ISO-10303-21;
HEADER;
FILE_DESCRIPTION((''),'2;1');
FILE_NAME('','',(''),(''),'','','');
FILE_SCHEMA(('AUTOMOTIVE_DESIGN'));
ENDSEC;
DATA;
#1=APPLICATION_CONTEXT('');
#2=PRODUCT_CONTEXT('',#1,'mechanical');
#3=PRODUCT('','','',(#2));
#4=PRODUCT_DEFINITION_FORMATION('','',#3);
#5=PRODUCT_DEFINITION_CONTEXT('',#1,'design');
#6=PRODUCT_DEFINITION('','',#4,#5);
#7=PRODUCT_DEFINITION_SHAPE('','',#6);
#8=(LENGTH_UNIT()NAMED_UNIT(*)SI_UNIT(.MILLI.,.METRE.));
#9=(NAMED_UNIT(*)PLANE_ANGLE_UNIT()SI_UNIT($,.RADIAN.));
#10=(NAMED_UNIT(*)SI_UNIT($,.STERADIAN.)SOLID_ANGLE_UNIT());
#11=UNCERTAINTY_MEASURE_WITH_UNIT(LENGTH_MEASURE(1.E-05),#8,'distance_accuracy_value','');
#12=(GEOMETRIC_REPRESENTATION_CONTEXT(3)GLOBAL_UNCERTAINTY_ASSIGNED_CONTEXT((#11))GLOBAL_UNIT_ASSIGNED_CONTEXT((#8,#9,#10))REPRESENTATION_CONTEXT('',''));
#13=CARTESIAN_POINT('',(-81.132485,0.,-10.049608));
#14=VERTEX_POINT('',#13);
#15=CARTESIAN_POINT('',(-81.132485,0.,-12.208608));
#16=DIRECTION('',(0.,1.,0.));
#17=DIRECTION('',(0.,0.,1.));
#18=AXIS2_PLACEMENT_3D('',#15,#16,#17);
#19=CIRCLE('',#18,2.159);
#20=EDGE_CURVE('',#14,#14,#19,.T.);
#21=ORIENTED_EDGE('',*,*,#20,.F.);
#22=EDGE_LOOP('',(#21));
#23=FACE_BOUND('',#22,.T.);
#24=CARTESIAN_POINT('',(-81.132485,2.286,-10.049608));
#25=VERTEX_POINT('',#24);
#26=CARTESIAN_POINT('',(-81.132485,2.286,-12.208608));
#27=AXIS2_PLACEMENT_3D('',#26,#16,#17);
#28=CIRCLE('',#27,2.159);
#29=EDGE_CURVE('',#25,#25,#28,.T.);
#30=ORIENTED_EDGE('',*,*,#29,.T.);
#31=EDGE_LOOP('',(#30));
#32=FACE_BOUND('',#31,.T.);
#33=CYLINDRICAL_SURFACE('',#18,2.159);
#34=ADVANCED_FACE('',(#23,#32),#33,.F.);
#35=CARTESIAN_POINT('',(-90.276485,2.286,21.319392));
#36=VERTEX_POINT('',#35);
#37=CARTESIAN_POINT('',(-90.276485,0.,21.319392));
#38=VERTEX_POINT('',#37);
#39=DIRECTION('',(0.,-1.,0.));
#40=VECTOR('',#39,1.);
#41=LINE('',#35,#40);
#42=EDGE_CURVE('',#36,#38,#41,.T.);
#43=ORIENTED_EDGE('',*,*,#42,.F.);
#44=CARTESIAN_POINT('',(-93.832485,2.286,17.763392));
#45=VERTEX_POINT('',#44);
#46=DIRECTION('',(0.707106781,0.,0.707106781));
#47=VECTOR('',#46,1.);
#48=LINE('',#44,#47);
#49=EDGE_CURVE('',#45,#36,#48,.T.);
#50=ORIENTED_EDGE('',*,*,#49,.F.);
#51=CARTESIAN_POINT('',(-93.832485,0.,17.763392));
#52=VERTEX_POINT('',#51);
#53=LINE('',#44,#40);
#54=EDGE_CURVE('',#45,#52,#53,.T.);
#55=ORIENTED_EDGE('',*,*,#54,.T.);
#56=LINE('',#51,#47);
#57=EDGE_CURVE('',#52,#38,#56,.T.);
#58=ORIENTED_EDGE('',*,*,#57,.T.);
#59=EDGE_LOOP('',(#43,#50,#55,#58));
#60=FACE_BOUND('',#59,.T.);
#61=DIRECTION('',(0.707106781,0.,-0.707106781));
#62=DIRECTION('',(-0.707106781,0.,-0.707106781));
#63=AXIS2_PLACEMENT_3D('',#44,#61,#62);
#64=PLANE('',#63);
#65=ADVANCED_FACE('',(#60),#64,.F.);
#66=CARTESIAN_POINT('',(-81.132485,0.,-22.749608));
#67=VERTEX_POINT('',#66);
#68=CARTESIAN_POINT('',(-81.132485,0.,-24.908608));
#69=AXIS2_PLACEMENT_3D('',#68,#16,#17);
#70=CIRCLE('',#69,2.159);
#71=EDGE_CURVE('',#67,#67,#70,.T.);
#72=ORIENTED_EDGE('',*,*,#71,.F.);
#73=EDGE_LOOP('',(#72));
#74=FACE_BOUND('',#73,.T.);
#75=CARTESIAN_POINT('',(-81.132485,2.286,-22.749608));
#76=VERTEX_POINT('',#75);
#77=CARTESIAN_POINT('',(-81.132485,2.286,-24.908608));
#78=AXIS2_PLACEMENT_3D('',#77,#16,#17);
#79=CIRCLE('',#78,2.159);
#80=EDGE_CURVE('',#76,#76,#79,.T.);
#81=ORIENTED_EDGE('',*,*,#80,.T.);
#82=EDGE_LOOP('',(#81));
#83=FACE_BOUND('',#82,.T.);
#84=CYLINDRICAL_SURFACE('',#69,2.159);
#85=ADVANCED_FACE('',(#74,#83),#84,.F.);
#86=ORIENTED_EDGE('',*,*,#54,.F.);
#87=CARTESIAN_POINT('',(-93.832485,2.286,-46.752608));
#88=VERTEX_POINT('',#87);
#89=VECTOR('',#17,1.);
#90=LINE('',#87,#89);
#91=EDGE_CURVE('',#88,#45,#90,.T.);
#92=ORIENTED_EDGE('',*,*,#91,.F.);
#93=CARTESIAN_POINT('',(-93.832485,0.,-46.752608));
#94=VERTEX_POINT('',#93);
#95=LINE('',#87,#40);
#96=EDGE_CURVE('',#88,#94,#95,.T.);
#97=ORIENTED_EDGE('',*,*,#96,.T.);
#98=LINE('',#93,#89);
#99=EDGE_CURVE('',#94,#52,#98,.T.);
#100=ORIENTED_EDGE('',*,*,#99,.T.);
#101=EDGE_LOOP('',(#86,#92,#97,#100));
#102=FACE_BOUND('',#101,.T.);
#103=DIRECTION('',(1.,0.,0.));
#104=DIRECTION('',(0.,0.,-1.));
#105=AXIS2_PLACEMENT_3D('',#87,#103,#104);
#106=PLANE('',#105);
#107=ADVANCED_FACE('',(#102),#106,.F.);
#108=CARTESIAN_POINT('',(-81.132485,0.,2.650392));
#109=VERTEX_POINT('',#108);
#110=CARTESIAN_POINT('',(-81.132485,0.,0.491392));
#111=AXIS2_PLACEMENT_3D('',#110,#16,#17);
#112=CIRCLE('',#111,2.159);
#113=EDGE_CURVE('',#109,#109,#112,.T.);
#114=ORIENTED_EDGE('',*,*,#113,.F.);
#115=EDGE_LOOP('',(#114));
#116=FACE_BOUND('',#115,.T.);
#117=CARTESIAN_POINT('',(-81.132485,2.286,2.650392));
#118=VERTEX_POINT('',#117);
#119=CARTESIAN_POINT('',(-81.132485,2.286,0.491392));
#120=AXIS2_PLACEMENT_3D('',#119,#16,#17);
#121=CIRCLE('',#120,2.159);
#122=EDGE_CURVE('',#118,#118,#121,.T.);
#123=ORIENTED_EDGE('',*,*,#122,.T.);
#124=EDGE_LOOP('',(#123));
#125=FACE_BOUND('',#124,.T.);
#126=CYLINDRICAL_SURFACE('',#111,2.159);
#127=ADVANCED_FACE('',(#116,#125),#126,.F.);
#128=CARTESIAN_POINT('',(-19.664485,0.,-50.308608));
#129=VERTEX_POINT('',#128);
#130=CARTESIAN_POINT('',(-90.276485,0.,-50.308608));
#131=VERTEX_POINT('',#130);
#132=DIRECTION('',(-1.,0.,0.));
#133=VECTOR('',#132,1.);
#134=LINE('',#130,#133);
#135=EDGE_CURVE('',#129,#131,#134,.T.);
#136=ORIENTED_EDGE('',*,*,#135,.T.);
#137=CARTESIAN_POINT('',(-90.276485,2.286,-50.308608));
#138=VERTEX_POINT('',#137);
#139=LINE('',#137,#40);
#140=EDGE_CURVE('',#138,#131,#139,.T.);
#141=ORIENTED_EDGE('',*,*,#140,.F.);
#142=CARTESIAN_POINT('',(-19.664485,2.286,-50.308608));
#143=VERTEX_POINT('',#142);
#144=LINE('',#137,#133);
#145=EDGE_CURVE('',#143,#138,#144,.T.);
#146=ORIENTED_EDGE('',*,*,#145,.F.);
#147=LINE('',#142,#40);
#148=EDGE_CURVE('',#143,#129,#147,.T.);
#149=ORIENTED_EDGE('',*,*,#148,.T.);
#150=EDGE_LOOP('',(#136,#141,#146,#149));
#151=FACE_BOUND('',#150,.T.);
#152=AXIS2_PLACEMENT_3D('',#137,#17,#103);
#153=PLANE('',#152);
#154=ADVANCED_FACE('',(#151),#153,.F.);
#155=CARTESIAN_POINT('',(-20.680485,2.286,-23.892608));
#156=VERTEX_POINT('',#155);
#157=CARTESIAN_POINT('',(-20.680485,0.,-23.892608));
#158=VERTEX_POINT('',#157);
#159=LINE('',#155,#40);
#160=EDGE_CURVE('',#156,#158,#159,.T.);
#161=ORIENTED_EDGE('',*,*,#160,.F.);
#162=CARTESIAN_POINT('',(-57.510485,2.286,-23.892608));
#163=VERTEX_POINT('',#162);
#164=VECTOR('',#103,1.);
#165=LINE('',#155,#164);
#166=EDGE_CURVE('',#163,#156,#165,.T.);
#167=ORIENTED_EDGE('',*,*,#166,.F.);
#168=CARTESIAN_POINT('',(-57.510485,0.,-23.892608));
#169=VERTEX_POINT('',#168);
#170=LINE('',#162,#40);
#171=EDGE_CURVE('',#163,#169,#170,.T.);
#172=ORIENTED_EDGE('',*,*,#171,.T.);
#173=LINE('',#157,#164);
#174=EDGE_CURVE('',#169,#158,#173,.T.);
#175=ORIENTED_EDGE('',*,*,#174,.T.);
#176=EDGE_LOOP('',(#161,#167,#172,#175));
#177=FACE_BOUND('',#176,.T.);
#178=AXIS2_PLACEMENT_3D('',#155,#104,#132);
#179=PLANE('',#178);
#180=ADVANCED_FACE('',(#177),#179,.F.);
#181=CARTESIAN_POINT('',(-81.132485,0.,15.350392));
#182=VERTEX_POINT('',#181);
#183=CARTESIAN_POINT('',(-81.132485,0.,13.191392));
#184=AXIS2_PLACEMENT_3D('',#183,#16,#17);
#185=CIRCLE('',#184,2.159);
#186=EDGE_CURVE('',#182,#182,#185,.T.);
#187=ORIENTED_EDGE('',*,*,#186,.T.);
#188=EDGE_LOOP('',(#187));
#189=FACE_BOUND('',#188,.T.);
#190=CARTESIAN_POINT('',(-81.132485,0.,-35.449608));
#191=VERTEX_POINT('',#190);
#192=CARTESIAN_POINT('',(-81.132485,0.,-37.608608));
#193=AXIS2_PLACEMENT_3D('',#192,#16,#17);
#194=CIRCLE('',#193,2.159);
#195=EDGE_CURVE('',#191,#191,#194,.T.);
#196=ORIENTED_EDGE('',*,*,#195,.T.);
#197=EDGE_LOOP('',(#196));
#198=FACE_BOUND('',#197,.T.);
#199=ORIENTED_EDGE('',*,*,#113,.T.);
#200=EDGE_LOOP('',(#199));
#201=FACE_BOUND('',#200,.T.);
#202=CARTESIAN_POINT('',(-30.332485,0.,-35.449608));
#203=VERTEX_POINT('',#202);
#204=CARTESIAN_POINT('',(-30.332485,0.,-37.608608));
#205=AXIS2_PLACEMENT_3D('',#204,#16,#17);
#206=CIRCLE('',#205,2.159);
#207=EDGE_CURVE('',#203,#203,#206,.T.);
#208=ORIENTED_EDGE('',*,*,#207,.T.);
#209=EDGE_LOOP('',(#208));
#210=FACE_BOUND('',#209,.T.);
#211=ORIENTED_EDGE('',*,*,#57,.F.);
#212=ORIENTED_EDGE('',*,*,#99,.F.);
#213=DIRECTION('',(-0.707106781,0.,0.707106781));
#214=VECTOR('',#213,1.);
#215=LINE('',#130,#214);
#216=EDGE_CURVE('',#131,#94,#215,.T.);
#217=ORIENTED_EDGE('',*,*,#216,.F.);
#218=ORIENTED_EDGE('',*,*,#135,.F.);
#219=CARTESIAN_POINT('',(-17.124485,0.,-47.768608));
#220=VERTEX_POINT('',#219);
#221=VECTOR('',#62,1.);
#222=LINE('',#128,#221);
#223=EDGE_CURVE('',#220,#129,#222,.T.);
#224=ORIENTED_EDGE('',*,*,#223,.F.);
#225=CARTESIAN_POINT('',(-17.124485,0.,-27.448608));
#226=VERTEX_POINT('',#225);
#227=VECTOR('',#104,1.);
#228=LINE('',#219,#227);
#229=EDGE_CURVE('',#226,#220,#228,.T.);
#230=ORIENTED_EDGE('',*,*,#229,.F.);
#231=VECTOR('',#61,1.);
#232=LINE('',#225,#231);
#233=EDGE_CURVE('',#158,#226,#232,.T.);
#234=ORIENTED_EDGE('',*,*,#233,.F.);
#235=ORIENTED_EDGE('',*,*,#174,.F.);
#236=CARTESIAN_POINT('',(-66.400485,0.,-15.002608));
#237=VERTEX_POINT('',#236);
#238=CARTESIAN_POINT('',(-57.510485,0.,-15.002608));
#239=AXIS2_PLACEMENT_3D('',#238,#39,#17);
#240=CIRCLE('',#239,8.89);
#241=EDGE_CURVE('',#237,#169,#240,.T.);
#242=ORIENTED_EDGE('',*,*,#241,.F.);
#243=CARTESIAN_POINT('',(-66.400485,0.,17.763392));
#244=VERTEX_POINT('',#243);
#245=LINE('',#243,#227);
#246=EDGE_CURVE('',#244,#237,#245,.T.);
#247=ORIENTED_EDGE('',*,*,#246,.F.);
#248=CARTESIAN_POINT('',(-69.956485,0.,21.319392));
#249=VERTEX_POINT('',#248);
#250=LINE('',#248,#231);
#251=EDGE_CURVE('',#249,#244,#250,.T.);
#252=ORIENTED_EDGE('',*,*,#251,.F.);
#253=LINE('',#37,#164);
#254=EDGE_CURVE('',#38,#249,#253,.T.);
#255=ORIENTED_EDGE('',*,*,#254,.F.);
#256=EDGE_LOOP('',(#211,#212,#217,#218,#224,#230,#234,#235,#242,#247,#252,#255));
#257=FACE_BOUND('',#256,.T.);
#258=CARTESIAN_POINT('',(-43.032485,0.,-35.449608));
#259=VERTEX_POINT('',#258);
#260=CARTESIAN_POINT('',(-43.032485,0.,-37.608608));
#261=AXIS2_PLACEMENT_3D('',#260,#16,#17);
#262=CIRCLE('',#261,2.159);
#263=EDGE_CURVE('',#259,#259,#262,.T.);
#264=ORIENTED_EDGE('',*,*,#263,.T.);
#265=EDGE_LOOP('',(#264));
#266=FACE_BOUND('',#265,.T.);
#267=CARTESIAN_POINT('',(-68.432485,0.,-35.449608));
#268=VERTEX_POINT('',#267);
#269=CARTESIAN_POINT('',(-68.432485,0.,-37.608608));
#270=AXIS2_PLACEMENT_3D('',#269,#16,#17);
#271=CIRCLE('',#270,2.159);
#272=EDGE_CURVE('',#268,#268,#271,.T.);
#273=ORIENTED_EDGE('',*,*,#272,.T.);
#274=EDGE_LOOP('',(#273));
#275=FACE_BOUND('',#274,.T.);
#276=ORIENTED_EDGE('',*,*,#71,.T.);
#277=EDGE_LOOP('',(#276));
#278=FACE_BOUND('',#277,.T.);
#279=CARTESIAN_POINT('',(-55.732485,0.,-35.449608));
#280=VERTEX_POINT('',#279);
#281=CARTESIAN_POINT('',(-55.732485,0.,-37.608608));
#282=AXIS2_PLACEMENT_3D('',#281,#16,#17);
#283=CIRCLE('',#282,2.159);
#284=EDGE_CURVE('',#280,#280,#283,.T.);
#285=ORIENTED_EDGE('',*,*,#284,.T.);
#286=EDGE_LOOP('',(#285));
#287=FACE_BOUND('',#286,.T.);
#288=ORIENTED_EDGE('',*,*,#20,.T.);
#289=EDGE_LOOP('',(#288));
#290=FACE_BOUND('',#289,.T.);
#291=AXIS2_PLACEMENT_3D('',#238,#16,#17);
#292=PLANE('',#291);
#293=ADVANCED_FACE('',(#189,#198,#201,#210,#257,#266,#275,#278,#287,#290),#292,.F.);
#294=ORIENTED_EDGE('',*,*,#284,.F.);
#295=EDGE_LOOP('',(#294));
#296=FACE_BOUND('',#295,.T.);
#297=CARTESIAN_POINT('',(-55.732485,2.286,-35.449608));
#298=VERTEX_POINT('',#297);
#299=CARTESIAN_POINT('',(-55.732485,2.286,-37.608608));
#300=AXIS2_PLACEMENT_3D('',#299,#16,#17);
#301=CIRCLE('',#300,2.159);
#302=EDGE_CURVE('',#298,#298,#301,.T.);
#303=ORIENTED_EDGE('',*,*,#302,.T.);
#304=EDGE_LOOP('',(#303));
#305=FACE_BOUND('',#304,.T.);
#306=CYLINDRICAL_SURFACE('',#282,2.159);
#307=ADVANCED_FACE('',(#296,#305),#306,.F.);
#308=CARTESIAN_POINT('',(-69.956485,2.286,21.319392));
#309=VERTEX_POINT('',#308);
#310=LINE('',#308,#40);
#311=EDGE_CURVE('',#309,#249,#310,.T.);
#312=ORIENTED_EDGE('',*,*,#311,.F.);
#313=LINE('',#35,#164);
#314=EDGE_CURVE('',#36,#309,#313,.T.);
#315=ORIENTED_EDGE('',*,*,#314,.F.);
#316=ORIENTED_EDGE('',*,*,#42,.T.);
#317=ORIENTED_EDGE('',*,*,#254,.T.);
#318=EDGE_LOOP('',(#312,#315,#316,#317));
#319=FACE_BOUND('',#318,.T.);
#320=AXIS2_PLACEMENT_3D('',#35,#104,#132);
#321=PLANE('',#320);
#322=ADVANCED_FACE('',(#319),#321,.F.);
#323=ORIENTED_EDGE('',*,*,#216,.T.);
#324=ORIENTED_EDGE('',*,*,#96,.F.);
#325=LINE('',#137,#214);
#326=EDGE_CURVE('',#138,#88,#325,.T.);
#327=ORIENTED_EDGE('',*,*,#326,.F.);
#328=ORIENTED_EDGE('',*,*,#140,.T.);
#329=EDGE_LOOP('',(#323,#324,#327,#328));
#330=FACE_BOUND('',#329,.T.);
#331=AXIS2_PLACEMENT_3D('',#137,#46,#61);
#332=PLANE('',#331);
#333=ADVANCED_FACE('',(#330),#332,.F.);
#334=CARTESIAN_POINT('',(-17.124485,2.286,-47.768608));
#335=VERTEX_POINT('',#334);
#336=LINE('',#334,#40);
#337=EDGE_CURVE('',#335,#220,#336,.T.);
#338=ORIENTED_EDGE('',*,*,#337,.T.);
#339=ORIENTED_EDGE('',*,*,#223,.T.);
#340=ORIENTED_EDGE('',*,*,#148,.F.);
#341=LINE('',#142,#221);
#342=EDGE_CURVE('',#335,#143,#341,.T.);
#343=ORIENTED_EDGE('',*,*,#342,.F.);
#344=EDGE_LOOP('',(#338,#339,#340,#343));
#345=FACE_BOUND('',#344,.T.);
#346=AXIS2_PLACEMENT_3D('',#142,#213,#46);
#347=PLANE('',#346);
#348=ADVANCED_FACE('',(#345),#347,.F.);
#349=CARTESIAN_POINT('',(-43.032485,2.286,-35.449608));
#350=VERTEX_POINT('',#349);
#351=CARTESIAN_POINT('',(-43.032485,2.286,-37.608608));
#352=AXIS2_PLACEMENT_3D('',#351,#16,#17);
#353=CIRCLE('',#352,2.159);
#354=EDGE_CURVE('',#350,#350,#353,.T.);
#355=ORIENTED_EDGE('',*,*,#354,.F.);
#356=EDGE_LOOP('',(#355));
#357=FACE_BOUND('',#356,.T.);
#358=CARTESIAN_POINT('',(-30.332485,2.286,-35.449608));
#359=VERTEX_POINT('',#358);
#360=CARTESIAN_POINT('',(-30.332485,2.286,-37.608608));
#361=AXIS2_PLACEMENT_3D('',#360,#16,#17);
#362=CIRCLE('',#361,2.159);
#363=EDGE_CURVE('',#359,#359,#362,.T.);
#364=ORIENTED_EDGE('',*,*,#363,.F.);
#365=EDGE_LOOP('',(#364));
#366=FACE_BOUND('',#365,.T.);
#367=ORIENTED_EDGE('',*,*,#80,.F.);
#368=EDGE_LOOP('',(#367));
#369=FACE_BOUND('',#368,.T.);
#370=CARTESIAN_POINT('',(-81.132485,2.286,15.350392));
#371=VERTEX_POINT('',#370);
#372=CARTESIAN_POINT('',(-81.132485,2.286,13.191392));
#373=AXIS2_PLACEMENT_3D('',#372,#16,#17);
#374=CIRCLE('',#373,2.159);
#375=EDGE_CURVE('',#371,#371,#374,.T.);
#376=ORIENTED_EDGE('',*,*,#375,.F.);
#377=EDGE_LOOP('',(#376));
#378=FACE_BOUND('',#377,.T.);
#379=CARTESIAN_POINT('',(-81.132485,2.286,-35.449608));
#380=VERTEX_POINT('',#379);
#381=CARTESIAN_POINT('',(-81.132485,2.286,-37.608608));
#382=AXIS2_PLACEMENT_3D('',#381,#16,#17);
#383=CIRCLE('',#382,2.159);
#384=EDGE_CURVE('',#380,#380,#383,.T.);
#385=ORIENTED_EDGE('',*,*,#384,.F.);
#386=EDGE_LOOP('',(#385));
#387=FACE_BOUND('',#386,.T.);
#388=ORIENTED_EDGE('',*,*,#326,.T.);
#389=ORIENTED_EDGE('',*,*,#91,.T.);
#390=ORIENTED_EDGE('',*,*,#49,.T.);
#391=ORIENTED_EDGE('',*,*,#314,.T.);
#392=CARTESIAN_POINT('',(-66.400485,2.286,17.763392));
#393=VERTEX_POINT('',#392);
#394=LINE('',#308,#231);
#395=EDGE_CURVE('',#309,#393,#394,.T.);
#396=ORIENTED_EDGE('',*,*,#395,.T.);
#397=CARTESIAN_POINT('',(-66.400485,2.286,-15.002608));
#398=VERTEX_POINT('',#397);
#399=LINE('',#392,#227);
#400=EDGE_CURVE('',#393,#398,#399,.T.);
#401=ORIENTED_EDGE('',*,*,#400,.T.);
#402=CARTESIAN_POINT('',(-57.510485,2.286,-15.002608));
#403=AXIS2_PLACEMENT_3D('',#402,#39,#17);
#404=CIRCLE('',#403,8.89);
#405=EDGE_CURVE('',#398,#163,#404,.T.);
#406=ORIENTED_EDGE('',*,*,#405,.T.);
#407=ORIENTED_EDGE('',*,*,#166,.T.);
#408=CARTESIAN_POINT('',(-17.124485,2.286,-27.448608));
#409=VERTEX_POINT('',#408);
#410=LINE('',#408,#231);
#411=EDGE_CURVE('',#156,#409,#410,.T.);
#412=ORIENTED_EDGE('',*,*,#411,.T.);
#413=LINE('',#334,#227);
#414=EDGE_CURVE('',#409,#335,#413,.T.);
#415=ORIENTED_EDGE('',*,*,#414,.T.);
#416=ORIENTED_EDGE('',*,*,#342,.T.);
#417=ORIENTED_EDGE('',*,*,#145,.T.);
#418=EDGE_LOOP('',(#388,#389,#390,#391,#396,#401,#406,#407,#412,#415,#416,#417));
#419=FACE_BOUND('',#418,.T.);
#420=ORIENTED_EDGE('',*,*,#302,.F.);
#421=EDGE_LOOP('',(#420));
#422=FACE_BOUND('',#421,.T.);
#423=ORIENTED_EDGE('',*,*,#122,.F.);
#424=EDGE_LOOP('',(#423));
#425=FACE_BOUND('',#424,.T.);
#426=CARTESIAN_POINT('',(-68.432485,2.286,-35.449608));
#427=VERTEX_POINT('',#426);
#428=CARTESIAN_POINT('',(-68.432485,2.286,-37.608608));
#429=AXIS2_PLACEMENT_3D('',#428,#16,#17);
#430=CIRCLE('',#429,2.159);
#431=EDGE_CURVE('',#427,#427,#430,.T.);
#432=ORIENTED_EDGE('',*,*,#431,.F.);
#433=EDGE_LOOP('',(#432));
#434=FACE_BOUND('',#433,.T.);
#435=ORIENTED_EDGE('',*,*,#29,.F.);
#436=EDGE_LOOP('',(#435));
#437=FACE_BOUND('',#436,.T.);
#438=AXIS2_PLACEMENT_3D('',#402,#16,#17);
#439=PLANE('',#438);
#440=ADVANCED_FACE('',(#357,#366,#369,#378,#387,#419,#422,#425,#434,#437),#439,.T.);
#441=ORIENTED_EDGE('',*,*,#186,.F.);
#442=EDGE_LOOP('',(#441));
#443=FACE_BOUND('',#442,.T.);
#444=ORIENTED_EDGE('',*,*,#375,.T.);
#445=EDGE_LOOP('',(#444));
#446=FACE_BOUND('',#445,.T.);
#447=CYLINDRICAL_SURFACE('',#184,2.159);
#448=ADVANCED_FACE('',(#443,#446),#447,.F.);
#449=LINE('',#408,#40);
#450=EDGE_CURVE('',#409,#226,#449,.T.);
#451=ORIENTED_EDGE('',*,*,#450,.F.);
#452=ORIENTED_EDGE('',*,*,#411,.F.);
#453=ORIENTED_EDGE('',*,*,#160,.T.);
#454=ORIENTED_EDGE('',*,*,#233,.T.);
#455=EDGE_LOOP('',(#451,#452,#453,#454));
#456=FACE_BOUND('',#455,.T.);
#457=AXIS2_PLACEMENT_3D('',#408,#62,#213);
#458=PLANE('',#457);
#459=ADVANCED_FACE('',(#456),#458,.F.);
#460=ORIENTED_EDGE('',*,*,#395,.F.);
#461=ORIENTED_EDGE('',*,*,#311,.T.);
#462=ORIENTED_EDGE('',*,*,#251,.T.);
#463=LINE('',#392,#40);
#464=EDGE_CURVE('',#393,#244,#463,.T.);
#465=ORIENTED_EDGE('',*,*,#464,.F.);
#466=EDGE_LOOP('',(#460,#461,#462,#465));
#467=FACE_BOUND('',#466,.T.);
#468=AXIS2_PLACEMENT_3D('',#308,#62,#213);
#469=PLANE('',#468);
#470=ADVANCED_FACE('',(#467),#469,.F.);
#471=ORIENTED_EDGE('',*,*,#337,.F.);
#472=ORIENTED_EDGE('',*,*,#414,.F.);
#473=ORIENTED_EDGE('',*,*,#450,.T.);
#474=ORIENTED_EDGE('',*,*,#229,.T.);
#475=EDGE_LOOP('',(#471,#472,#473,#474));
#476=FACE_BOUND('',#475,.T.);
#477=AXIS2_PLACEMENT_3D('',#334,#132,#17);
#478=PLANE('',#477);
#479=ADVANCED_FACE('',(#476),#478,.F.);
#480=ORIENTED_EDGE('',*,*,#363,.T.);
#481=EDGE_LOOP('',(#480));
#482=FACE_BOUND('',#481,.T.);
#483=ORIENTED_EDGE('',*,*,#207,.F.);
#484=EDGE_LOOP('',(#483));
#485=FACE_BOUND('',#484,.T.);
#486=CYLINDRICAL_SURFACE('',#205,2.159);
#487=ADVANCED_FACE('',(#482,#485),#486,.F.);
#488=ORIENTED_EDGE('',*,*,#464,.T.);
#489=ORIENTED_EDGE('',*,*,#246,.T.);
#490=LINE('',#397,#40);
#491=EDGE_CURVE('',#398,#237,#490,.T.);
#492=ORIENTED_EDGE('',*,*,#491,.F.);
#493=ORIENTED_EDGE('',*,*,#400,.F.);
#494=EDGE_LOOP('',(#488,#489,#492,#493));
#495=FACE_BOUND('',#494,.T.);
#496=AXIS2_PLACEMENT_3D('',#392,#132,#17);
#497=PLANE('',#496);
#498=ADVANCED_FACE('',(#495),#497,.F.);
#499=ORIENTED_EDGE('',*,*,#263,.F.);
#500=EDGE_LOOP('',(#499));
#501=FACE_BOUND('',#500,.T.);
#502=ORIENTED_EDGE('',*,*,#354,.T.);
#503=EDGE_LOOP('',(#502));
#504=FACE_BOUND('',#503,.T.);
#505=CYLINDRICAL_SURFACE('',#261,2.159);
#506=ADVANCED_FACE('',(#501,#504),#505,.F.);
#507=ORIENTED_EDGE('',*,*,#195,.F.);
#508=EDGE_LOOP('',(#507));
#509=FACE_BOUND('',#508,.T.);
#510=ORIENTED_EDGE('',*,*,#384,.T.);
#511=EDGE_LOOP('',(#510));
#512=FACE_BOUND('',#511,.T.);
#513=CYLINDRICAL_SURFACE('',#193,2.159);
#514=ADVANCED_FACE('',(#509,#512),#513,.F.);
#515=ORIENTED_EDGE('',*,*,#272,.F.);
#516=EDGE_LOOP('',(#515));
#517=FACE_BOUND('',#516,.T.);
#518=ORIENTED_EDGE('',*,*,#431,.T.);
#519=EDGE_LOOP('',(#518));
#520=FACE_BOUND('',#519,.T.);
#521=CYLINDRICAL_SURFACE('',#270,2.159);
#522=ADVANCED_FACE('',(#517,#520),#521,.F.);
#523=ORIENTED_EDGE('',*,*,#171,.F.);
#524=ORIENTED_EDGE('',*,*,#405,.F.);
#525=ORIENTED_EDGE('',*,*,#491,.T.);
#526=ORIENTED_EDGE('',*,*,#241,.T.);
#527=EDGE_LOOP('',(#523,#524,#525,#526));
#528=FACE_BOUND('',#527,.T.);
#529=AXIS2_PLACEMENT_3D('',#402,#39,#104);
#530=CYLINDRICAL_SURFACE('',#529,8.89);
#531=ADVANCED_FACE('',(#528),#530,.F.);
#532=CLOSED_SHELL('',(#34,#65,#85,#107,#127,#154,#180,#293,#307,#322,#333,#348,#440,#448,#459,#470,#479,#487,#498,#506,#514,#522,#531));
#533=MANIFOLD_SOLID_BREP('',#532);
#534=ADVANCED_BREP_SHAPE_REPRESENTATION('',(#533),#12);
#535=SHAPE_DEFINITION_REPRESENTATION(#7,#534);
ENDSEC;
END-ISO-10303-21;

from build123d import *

# Parameters (mm, degrees)
BOSS_EXTRUDE1_DEPTH = 2.286
SKETCH2_R           = 2.159
CUT_EXTRUDE1_DEPTH  = 2.286


with BuildPart() as part:
    # Sketch1 → Boss-Extrude1 (new body)
    with BuildSketch(Plane(origin=(0, 0, 0), x_dir=(1, 0, 0), z_dir=(0, 1, 0))):
        with BuildLine():
            Line((-93.832484615, 46.752607692), (-93.832484615, -17.763392308))
            Line((-93.832484615, -17.763392308), (-90.276484615, -21.319392308))
            Line((-90.276484615, -21.319392308), (-69.956484615, -21.319392308))
            Line((-69.956484615, -21.319392308), (-66.400484615, -17.763392308))
            Line((-66.400484615, -17.763392308), (-66.400484615, 15.002607692))
            ThreePointArc((-66.400484615, 15.002607692), (-63.7966639, 21.288786977), (-57.510484615, 23.892607692))
            Line((-57.510484615, 23.892607692), (-20.680484615, 23.892607692))
            Line((-20.680484615, 23.892607692), (-17.124484615, 27.448607692))
            Line((-17.124484615, 27.448607692), (-17.124484615, 47.768607692))
            Line((-17.124484615, 47.768607692), (-19.664484615, 50.308607692))
            Line((-19.664484615, 50.308607692), (-90.276484615, 50.308607692))
            Line((-90.276484615, 50.308607692), (-93.832484615, 46.752607692))
        make_face()
    extrude(amount=BOSS_EXTRUDE1_DEPTH)

    # Sketch2 → Cut-Extrude1 (cut)
    with BuildSketch(Plane(origin=(0, 2.286, 0), x_dir=(1, 0, 0), z_dir=(0, 1, 0))):
        with Locations((-81.132484615, 37.608607692)):
            Circle(SKETCH2_R)
        with Locations((-81.132484615, 24.908607692)):
            Circle(SKETCH2_R)
        with Locations((-81.132484615, 12.208607692)):
            Circle(SKETCH2_R)
        with Locations((-81.132484615, -0.491392308)):
            Circle(SKETCH2_R)
        with Locations((-81.132484615, -13.191392308)):
            Circle(SKETCH2_R)
        with Locations((-68.432484615, 37.608607692)):
            Circle(SKETCH2_R)
        with Locations((-55.732484615, 37.608607692)):
            Circle(SKETCH2_R)
        with Locations((-43.032484615, 37.608607692)):
            Circle(SKETCH2_R)
        with Locations((-30.332484615, 37.608607692)):
            Circle(SKETCH2_R)
    extrude(amount=-CUT_EXTRUDE1_DEPTH, mode=Mode.SUBTRACT)


solid = part.part
